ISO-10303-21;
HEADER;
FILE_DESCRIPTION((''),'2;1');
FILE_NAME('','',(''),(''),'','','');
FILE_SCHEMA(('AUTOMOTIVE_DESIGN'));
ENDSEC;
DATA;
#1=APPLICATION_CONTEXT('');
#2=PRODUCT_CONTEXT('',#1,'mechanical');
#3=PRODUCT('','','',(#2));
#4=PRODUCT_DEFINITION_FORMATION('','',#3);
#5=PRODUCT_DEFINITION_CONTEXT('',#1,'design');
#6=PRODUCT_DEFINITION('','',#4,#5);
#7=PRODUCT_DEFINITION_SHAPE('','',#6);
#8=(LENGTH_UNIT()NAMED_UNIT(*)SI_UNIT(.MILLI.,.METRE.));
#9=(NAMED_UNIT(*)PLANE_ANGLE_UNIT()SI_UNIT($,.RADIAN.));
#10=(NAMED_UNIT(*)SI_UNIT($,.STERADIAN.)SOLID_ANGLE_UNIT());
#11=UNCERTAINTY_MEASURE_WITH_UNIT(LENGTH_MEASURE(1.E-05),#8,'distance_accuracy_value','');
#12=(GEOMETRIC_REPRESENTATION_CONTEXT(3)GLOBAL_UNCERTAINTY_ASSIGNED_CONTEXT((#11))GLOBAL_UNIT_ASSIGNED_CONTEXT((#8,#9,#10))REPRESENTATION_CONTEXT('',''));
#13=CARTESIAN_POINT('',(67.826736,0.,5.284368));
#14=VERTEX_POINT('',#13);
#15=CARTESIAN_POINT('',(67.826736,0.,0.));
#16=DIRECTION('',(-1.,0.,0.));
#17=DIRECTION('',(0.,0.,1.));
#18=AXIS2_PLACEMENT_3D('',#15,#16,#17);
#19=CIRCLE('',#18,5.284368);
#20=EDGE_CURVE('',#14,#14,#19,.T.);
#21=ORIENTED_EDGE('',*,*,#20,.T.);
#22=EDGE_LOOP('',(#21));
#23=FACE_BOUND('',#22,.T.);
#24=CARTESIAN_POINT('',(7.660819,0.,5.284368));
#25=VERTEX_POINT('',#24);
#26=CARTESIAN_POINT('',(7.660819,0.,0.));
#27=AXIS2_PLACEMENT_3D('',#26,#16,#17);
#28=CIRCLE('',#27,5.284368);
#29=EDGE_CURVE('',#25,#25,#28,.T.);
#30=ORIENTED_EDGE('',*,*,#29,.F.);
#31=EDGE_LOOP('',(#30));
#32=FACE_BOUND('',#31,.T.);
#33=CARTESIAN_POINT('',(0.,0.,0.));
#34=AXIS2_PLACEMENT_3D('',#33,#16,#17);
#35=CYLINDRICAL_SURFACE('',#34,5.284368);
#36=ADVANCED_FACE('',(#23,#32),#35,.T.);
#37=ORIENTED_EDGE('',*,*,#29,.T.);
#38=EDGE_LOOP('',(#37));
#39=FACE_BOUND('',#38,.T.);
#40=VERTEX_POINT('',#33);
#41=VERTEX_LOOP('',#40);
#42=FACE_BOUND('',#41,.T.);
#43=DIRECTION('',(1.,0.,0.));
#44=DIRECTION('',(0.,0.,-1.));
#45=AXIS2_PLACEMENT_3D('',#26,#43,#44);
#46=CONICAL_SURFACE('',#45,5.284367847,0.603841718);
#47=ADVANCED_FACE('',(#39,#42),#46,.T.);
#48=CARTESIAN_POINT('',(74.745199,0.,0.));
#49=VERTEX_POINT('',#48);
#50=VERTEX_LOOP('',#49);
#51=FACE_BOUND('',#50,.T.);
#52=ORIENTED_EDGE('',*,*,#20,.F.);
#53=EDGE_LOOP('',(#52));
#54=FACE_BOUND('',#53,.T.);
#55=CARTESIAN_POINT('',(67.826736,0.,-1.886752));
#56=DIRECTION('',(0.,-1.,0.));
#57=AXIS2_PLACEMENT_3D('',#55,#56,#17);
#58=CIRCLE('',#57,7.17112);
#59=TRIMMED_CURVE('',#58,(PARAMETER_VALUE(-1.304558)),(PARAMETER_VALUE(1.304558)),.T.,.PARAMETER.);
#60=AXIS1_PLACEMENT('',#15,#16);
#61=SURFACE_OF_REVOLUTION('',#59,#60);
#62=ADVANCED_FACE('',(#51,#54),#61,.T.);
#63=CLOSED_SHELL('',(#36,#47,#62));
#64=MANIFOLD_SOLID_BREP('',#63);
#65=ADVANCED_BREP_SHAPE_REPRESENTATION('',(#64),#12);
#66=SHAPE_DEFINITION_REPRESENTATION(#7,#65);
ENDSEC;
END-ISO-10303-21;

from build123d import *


with BuildPart() as part:
    # Croquis1 → Revolución2 (revolve)
    with BuildSketch(Plane(origin=(0, 0, 0), x_dir=(1, 0, 0), z_dir=(0, 1, 0))):
        with BuildLine():
            Line((0, 0), (74.745199113, 0))
            ThreePointArc((74.745199113, 0), (72.179599494, 3.812155114), (67.826736335, 5.284367847))
            Line((67.826736335, 5.284367847), (7.660818961, 5.284367847))
            Line((7.660818961, 5.284367847), (0, 0))
        make_face()
    revolve(axis=Axis((0, 0, 0), (1, 0, 0)))


solid = part.part
